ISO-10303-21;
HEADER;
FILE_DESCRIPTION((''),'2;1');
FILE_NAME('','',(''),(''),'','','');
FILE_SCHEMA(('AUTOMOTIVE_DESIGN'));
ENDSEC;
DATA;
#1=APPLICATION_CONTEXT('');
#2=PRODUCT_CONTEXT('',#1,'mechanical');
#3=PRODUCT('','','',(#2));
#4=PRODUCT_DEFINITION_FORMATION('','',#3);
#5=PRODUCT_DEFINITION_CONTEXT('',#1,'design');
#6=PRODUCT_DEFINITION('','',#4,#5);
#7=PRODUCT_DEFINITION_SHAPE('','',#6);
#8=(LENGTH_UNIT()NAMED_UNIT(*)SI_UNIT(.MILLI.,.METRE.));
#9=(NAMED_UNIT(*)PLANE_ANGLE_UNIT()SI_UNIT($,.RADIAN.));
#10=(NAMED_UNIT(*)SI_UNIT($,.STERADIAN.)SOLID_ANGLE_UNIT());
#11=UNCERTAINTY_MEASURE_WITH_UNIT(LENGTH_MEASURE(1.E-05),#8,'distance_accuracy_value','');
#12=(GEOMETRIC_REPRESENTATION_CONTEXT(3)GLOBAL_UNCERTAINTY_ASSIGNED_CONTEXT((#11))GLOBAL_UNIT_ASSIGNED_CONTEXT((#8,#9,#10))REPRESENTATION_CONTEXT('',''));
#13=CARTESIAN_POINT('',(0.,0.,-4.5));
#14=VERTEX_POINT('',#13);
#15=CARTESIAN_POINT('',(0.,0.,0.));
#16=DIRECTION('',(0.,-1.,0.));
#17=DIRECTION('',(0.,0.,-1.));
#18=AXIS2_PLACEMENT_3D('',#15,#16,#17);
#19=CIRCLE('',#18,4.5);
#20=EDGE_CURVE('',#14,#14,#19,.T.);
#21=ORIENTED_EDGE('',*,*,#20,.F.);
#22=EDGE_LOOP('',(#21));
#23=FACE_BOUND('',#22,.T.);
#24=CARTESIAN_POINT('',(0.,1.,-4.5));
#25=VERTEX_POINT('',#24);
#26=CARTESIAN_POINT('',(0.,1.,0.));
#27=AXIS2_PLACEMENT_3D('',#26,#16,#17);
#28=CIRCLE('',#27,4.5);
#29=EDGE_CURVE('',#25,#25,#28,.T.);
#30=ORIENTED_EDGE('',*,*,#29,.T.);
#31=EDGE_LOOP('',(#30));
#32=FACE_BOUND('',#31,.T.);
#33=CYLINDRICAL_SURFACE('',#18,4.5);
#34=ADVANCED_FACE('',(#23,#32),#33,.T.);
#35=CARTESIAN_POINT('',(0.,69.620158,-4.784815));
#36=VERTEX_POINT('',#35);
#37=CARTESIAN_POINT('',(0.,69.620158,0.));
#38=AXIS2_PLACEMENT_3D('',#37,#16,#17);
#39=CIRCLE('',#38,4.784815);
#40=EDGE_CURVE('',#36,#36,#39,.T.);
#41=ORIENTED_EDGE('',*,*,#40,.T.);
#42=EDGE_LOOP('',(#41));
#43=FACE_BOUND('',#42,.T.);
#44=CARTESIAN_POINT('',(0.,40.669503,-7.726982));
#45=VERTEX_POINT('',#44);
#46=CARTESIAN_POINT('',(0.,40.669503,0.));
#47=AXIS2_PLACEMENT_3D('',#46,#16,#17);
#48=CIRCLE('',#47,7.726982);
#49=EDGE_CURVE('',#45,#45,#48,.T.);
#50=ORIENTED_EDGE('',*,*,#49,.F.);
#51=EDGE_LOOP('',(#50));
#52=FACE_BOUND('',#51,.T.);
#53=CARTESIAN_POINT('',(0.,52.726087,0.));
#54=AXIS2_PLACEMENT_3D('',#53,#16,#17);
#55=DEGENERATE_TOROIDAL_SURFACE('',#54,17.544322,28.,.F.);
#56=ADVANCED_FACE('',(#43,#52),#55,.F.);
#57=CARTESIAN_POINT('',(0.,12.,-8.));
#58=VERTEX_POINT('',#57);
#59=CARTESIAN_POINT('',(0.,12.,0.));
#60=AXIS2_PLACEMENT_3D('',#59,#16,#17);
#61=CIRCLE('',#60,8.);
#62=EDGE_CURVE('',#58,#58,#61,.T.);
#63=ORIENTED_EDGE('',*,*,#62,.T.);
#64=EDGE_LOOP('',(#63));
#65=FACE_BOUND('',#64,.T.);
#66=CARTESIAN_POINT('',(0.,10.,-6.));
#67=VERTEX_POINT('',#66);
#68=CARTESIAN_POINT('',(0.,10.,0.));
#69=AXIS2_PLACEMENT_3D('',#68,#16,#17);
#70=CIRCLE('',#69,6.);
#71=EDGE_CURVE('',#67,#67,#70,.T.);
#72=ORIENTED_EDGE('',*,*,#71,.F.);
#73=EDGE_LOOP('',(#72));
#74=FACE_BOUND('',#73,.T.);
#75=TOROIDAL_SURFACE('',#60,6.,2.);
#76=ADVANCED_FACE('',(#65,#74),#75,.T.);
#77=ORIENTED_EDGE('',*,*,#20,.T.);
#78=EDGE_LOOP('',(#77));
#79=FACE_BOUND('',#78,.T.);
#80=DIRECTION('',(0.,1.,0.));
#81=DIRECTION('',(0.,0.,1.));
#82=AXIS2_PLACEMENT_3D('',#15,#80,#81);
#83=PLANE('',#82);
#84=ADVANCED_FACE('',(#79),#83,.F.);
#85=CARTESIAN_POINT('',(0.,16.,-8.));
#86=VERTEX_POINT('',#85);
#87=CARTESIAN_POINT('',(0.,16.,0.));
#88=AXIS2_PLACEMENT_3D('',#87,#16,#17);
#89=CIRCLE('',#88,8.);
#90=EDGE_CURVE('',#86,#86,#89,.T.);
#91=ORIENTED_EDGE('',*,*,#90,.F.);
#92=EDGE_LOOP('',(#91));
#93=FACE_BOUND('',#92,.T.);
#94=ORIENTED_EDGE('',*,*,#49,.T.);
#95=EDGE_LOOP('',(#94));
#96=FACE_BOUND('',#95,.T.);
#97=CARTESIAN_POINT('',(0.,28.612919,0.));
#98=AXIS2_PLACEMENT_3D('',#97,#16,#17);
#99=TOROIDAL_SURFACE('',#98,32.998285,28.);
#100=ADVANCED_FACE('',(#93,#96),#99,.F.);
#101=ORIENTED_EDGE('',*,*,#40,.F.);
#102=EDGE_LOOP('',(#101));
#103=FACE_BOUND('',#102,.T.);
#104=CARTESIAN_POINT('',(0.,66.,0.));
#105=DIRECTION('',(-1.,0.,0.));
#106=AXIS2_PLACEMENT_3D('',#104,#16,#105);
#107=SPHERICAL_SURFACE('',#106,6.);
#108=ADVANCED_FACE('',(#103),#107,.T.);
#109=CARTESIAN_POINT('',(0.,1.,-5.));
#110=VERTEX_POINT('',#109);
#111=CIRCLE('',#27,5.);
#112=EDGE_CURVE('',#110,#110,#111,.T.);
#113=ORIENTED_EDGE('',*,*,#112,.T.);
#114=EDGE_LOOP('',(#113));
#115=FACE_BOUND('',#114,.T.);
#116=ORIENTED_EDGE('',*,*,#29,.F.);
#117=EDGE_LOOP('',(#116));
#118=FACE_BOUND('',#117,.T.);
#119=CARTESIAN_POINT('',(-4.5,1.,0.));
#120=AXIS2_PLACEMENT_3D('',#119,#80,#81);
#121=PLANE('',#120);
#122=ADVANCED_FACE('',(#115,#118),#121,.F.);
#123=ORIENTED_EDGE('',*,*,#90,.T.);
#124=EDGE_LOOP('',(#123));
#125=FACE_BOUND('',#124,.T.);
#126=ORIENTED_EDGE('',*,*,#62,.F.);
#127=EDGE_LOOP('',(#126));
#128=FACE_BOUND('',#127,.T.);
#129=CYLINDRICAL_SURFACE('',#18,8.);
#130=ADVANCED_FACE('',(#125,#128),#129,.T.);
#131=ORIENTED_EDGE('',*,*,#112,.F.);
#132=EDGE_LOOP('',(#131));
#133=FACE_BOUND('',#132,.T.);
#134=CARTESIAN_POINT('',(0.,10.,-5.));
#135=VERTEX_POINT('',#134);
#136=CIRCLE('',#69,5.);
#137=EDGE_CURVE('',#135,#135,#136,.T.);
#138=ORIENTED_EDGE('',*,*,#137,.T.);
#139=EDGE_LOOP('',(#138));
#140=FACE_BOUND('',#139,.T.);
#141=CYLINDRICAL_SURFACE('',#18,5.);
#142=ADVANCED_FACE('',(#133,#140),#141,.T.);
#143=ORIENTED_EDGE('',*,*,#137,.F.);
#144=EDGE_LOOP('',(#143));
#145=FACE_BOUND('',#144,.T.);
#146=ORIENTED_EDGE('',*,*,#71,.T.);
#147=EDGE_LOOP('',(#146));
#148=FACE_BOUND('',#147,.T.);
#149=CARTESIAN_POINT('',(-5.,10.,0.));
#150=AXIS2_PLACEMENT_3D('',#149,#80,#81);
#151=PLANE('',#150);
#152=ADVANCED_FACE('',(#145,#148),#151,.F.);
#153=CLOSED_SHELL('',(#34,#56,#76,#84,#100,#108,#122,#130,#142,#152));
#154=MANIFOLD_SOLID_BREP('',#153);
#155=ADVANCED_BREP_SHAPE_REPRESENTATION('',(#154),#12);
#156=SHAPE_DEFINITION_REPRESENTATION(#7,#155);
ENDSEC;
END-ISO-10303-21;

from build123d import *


with BuildPart() as part:
    # Sketch1 → Revolve1 (revolve)
    with BuildSketch(Plane.XY, mode=Mode.PRIVATE) as revolve1_sk:
        with BuildLine():
            Line((0, 0), (-4.5, 0))
            Line((-4.5, 0), (-4.5, 1))
            Line((-4.5, 1), (-5, 1))
            Line((-5, 1), (-5, 10))
            Line((-5, 10), (-6, 10))
            ThreePointArc((-6, 10), (-7.414213562, 10.585786438), (-8, 12))
            Line((-8, 12), (-8, 16))
            ThreePointArc((-8, 16), (-5, 28.303061069), (-7.726981853, 40.669502823))
            ThreePointArc((-7.726981853, 40.669502823), (-10.3121962, 55.557059673), (-4.784815021, 69.620158175))
            ThreePointArc((-4.784815021, 69.620158175), (-2.671989048, 71.372194573), (0, 72))
            Line((0, 72), (0, 0))
        make_face()
    revolve(revolve1_sk.sketch.rotate(Axis((0, 0, 0), (0, 1, 0)), 270), axis=Axis((0, 0, 0), (0, 1, 0)))


solid = part.part
